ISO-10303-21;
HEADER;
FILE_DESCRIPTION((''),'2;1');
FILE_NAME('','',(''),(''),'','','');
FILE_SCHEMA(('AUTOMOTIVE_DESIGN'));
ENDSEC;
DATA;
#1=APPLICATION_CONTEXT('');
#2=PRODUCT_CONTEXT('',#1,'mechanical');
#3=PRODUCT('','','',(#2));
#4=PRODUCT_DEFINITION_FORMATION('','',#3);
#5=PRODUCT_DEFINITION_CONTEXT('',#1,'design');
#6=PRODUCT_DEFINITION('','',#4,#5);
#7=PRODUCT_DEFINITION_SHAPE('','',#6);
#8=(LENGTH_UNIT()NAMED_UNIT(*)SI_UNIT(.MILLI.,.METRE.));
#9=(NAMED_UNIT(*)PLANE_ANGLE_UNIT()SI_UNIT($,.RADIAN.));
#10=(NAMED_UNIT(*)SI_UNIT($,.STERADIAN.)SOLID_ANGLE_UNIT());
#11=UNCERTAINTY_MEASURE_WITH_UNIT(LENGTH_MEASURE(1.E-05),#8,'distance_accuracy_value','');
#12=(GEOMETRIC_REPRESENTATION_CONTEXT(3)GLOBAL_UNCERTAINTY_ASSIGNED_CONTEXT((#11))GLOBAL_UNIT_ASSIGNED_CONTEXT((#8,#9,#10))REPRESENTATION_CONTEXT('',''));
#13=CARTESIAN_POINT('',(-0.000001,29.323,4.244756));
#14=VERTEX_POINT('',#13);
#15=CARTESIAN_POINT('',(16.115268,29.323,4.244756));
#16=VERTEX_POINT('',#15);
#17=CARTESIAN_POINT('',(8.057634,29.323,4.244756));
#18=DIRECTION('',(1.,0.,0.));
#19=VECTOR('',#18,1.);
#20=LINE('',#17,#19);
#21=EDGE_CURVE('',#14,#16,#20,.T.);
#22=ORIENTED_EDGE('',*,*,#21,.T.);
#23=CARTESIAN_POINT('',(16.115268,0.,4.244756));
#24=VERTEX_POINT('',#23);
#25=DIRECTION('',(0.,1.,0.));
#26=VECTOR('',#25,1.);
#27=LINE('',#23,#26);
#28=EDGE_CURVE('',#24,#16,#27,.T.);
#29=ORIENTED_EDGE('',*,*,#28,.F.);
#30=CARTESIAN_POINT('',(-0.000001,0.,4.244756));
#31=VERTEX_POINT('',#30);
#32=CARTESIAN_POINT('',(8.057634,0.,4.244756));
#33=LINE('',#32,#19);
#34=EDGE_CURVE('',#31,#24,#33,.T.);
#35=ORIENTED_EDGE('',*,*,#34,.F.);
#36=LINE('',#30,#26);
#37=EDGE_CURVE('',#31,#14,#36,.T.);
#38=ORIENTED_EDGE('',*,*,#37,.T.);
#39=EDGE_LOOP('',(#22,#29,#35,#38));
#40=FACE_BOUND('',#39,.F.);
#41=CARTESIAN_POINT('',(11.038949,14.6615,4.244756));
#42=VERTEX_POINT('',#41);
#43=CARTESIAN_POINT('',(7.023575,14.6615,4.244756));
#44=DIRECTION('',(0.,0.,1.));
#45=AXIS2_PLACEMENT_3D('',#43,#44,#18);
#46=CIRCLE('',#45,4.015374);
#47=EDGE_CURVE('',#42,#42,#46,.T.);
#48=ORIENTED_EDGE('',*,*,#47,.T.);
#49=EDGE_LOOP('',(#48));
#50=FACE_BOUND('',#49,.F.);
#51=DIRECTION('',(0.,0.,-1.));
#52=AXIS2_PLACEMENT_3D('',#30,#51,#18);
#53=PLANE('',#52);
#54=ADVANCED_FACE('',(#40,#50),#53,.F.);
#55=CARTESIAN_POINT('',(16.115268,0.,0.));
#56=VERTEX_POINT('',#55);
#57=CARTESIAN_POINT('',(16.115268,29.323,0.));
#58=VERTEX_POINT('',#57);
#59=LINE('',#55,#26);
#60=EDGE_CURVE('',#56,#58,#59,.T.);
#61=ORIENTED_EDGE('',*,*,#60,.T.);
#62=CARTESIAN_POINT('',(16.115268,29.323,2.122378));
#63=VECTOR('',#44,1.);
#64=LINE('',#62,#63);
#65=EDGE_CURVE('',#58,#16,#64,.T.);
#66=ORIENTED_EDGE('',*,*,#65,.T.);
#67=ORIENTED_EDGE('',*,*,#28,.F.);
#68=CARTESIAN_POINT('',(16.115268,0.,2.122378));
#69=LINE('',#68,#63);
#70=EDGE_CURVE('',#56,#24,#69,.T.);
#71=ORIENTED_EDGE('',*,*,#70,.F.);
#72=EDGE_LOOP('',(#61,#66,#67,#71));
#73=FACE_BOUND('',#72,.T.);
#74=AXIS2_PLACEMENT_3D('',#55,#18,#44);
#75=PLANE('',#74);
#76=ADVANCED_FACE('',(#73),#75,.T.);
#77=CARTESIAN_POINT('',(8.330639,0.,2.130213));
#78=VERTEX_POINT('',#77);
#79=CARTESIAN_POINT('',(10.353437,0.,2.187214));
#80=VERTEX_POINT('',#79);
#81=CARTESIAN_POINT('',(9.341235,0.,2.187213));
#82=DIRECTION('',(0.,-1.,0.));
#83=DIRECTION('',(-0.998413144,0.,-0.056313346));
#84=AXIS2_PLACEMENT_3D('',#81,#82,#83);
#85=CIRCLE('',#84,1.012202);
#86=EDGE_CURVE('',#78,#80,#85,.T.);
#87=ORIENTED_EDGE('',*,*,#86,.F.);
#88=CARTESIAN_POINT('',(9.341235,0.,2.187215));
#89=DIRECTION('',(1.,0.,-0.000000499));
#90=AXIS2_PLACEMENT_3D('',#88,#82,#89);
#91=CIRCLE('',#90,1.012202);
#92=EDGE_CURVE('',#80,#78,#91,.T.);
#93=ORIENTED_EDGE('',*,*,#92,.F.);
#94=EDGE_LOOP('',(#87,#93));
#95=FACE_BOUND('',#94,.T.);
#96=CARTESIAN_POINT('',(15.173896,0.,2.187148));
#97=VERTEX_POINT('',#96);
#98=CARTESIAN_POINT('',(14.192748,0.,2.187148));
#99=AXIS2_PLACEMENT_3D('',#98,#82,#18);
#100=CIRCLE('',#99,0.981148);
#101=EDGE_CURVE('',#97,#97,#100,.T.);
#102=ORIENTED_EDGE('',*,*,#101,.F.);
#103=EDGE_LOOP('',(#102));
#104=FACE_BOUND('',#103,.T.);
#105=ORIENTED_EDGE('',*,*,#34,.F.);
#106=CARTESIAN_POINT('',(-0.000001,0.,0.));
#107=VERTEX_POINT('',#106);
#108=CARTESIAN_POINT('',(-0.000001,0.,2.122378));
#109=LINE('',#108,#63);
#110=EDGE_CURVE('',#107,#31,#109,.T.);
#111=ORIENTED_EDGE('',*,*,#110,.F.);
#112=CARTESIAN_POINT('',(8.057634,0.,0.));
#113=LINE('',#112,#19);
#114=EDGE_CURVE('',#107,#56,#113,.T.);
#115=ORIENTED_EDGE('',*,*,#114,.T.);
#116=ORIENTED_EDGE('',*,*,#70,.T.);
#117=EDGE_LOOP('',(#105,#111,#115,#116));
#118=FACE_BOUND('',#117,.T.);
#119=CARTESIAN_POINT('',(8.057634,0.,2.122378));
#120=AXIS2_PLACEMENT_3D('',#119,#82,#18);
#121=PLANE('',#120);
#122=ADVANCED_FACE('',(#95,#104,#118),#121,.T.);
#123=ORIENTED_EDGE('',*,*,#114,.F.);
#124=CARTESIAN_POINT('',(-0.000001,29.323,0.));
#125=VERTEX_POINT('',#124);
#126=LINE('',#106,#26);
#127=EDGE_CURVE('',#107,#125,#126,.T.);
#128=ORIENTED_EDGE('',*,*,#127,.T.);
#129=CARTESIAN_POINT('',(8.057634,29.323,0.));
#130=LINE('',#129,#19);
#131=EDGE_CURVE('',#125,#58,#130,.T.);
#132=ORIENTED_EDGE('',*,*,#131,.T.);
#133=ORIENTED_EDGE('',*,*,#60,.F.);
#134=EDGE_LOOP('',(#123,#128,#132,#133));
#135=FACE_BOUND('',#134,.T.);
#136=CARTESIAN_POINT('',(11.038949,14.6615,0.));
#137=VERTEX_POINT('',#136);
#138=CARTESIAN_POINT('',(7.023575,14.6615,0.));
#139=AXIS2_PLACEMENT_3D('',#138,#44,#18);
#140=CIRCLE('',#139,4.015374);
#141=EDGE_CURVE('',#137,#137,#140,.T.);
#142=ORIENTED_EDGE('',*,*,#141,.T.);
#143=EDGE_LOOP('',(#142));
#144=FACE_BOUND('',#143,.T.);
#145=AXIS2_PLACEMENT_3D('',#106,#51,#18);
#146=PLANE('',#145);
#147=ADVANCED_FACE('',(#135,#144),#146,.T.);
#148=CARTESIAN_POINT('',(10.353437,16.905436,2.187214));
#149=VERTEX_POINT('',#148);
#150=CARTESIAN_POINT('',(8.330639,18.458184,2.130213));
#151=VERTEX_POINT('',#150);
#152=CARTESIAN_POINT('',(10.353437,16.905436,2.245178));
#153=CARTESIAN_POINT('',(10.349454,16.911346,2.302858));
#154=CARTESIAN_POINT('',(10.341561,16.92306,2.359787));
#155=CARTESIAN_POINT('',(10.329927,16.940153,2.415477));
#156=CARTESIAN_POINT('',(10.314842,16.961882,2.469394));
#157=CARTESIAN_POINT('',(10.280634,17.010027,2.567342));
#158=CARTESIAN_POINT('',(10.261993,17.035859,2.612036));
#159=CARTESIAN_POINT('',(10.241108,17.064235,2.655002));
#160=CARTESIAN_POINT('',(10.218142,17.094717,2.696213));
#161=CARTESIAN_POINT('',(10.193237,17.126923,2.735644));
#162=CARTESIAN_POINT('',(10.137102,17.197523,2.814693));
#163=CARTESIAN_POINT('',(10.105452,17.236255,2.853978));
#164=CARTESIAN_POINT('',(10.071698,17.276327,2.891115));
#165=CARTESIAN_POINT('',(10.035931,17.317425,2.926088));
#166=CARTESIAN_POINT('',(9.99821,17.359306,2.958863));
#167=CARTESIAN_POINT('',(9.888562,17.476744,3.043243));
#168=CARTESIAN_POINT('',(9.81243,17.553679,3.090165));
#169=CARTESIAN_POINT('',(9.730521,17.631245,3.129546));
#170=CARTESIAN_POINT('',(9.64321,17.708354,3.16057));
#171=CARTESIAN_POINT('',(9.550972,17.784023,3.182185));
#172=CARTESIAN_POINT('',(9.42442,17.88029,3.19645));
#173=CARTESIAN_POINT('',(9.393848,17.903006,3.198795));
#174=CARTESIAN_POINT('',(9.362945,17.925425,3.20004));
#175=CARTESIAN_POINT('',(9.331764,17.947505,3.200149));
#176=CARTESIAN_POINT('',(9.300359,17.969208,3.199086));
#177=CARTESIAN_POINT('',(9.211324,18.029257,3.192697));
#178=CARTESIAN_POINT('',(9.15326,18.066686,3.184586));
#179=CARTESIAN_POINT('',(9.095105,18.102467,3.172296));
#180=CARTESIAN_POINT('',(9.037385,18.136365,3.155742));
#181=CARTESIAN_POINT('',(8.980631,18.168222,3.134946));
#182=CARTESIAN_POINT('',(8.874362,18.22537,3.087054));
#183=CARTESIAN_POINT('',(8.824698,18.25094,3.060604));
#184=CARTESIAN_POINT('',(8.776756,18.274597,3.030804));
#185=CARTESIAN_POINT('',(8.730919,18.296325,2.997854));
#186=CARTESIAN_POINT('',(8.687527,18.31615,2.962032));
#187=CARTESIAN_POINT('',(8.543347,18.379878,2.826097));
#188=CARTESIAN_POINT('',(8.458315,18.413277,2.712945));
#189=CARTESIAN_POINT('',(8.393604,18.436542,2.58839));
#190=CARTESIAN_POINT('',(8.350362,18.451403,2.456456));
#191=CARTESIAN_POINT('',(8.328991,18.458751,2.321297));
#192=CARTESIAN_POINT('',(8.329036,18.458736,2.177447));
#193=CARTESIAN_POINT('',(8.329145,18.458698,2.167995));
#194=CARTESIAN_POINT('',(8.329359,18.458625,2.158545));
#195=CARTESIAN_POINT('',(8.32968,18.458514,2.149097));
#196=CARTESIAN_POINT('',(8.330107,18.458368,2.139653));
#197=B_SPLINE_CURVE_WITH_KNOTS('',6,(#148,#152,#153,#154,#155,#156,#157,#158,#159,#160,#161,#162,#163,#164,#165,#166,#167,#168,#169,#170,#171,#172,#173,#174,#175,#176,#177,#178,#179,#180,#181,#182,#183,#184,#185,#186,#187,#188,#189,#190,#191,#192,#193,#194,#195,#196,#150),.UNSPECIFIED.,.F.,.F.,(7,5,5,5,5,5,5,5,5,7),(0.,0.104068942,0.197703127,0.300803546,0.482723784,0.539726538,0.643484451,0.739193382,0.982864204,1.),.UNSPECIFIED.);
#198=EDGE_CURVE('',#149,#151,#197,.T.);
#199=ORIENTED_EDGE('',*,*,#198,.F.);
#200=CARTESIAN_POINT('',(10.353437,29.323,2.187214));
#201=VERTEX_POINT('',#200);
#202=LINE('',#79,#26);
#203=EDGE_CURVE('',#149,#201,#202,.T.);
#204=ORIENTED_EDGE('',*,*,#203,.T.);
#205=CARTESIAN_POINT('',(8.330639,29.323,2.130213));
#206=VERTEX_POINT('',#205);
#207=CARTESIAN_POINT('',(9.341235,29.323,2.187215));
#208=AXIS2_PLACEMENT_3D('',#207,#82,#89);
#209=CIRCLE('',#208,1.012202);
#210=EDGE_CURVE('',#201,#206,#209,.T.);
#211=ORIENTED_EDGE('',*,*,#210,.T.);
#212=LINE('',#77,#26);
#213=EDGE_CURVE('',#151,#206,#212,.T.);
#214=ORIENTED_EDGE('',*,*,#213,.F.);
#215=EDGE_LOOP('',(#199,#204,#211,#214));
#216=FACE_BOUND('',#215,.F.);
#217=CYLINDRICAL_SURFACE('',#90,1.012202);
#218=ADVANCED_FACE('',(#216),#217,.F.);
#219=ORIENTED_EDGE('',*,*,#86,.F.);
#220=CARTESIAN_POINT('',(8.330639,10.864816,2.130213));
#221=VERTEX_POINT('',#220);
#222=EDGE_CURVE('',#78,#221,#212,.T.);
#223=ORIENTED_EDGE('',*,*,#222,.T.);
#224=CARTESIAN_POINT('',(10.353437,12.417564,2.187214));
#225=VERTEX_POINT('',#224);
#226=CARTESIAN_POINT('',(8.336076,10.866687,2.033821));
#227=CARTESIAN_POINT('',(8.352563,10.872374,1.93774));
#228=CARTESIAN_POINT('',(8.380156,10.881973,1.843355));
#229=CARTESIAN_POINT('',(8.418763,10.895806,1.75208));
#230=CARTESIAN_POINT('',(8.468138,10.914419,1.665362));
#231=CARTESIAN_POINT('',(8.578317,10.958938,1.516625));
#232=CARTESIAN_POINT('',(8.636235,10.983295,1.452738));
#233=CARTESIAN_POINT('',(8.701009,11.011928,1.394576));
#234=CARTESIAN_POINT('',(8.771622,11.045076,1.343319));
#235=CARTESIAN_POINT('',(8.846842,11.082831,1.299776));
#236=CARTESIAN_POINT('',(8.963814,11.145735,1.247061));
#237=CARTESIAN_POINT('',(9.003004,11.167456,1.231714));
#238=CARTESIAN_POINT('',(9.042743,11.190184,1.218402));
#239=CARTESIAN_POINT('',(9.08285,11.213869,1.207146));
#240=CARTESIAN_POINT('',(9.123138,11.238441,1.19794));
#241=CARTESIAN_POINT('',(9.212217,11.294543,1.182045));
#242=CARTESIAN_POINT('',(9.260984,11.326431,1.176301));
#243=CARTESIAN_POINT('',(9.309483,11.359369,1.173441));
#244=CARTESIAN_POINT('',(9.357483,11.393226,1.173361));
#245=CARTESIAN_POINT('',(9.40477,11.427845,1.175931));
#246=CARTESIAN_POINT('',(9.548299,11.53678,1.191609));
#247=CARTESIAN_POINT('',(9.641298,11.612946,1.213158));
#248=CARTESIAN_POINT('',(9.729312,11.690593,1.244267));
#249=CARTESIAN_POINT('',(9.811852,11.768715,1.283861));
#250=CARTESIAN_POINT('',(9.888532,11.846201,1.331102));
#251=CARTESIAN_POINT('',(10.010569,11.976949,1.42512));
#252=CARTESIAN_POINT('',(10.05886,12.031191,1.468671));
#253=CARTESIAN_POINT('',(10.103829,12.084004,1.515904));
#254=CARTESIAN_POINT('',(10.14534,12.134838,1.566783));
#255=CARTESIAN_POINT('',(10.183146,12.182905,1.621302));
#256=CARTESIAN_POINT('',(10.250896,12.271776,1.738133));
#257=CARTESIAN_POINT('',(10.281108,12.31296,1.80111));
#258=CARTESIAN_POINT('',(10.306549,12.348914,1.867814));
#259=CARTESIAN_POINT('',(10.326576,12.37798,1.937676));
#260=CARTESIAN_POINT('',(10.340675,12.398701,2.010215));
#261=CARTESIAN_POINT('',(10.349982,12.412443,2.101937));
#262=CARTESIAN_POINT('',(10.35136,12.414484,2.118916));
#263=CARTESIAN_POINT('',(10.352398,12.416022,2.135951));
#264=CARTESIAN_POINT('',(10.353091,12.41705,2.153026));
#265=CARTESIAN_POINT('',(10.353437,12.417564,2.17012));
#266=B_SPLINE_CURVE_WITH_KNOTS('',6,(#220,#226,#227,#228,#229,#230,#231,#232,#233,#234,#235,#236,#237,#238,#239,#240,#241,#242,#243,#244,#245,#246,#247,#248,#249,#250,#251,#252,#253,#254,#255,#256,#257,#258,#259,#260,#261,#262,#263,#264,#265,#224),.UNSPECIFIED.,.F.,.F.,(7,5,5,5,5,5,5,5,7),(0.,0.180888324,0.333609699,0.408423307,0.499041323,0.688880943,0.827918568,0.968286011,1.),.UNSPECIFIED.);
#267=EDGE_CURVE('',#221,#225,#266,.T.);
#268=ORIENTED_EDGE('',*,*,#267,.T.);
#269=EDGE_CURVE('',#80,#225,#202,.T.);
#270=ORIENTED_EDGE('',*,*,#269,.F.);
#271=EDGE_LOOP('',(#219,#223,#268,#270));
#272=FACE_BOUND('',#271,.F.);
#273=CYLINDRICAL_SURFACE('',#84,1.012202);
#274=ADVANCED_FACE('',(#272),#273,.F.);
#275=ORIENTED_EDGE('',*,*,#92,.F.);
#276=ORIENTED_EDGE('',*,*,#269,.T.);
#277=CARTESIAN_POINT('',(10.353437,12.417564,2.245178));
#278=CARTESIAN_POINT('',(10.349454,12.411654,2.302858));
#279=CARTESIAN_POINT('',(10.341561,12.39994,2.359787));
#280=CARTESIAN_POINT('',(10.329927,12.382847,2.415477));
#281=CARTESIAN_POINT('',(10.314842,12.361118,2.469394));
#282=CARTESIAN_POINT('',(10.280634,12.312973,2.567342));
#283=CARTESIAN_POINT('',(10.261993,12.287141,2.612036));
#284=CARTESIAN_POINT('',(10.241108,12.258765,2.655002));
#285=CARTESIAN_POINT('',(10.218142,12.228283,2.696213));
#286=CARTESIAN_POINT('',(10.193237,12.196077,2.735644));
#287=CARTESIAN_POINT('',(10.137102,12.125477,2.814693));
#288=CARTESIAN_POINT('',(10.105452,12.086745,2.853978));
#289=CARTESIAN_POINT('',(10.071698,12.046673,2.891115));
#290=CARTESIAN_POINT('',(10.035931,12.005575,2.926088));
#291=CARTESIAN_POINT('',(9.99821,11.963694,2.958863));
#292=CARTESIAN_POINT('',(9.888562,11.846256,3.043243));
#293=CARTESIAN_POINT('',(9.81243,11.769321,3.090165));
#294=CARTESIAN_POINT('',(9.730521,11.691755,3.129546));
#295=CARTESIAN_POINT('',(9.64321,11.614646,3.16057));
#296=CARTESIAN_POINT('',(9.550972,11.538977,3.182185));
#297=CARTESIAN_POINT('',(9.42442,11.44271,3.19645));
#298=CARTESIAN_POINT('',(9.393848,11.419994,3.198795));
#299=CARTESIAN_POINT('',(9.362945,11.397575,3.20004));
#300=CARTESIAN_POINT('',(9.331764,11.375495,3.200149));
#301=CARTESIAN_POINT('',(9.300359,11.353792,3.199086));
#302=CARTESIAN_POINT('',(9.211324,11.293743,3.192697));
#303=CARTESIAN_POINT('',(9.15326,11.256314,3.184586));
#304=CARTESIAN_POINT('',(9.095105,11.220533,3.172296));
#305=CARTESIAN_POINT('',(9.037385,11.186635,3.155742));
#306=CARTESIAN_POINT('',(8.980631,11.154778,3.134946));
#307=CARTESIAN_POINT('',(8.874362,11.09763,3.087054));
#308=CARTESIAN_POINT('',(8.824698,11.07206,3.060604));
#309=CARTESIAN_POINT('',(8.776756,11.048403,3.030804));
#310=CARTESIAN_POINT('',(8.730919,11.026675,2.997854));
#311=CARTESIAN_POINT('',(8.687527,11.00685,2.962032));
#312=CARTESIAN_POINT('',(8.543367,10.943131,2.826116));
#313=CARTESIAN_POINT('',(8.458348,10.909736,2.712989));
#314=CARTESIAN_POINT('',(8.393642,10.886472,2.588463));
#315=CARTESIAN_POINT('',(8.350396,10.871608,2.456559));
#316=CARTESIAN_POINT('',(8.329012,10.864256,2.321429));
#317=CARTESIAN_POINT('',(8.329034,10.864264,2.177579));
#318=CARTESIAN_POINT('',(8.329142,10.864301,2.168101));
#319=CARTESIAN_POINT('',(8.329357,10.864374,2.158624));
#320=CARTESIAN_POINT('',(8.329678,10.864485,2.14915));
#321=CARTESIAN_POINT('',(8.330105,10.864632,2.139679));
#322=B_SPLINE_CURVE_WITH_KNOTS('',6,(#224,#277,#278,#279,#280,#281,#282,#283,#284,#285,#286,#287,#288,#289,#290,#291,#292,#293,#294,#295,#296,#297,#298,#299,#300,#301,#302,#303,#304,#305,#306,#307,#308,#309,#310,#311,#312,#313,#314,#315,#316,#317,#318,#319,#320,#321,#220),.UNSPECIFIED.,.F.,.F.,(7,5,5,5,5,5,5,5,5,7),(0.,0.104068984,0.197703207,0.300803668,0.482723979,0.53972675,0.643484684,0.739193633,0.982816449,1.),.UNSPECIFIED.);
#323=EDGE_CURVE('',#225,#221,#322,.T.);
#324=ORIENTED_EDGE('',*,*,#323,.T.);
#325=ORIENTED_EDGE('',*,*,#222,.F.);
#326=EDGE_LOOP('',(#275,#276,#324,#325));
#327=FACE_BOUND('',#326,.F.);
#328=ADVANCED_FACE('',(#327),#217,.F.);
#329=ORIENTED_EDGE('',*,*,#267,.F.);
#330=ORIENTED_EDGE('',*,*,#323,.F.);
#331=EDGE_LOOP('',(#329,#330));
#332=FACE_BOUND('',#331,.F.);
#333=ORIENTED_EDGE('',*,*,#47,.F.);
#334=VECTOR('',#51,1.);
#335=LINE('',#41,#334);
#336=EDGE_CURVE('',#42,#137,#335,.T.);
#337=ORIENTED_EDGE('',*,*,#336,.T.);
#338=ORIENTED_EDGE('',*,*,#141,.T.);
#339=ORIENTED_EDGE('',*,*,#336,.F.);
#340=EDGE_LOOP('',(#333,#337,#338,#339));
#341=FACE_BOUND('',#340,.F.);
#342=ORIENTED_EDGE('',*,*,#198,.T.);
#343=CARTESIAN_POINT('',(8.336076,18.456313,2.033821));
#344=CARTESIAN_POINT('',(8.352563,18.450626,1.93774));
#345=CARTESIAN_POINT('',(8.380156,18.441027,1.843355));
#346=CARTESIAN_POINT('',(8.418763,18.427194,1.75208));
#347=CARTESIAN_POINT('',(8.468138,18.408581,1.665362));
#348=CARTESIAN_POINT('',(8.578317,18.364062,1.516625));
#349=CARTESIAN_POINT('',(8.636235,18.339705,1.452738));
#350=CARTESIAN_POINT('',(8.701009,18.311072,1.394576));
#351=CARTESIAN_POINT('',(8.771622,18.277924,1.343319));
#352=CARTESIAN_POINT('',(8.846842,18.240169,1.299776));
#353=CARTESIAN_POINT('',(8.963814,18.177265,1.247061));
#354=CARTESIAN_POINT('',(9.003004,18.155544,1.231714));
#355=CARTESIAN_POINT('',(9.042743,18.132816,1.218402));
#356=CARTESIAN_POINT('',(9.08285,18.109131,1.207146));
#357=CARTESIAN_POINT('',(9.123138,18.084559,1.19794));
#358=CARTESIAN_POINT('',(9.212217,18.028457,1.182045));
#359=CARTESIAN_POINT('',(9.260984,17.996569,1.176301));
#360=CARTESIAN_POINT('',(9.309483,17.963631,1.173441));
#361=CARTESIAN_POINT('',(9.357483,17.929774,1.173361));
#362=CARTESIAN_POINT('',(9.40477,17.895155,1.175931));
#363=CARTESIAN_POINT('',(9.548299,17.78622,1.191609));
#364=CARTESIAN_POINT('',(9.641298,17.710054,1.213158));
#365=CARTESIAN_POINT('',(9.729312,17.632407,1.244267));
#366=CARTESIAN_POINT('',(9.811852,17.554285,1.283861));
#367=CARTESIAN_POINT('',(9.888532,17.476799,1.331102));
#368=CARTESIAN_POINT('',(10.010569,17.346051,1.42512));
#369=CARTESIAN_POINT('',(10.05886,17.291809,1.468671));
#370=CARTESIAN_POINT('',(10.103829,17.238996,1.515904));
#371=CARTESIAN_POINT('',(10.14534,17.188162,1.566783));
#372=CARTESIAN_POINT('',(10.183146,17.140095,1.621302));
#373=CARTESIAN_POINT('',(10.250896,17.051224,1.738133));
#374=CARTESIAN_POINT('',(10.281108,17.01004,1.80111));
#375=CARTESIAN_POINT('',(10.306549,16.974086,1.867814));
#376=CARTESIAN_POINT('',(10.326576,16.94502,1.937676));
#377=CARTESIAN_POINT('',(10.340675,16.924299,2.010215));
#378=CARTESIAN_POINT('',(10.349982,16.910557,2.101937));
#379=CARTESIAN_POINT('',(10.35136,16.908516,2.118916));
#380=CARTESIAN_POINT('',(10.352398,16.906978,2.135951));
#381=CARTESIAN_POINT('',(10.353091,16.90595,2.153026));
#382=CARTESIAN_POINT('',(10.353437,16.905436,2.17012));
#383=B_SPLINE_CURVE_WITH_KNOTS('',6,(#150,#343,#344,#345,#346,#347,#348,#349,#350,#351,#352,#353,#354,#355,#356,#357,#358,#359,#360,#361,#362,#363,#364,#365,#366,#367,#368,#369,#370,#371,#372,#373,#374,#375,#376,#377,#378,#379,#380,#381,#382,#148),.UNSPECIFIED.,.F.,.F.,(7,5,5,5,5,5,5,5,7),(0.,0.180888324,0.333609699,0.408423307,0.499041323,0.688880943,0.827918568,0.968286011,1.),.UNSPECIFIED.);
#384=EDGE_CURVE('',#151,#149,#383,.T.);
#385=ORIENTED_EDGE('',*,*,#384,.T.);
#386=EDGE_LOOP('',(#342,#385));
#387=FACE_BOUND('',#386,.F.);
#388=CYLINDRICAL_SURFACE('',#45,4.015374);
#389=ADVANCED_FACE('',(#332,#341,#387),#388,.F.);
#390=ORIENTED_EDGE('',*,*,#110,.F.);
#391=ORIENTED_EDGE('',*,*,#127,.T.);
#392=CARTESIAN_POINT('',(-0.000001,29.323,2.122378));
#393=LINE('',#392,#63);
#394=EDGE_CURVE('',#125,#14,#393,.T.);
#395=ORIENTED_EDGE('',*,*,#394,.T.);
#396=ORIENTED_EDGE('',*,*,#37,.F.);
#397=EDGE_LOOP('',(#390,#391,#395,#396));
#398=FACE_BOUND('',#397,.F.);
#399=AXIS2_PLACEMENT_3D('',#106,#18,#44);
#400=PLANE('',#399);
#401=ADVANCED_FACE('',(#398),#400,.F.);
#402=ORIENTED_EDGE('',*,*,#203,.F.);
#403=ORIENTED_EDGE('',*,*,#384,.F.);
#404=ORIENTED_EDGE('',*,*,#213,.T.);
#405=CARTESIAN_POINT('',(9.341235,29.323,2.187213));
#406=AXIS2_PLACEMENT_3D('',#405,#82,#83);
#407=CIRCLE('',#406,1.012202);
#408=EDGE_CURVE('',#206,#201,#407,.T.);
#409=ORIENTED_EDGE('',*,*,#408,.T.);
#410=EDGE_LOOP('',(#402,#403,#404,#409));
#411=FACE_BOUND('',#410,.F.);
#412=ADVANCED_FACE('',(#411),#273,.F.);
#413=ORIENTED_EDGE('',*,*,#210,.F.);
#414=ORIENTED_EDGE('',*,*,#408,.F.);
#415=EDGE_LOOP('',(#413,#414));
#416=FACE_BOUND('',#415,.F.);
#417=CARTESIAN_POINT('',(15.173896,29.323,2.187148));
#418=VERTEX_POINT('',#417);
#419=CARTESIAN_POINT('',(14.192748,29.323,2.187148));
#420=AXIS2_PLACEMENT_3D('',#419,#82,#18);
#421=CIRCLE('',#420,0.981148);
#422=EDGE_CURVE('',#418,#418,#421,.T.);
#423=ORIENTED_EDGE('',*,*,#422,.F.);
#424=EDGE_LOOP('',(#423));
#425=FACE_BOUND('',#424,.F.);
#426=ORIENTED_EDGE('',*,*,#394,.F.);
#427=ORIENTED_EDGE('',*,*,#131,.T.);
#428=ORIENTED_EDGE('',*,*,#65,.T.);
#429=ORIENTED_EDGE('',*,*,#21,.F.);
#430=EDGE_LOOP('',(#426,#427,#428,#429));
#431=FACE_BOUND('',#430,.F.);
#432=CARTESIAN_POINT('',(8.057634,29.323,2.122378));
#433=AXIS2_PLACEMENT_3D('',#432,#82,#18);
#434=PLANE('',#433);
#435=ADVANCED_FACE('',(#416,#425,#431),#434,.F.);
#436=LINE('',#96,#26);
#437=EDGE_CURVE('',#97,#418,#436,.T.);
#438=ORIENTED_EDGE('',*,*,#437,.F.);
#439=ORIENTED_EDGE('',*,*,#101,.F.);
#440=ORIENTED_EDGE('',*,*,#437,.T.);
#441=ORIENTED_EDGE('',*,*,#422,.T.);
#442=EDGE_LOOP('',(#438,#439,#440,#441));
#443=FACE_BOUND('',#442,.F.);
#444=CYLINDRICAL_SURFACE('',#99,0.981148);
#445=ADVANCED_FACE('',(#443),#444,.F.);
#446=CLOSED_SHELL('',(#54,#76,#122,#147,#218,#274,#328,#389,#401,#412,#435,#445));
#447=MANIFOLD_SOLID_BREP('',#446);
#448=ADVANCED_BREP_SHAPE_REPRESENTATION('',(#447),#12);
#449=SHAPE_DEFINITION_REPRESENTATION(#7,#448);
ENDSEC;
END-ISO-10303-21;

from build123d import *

# Parameters (mm, degrees)
F0_W     = 16.115269
F0_H     = 4.244756
F2_DEPTH = 29.323
F1_R     = 0.981148
F3_DEPTH = 42.4
F4_R     = 4.015374
F5_DEPTH = 25


with BuildPart() as f2:
    # F0 (on Front) → F2 (new body)
    with BuildSketch(Plane.XZ):
        with Locations((8.057634, 2.122378)):
            Rectangle(F0_W, F0_H)
    extrude(amount=-F2_DEPTH)

    # F1 (on face) → F3 (cut)
    with BuildSketch(Plane.XZ):
        with Locations((14.192748, 2.187148)):
            Circle(F1_R)
        with BuildLine():
            ThreePointArc((8.330639, 2.130213), (9.369746, 1.175413), (10.353437, 2.187214))
            ThreePointArc((10.353437, 2.187214), (9.312723, 3.199015), (8.330639, 2.130213))
        make_face()
    extrude(amount=-F3_DEPTH, mode=Mode.SUBTRACT)

    # F4 (on face) → F5 (cut)
    with BuildSketch(Plane.XY.offset(4.244756)):
        with Locations((7.023575, 14.6615)):
            Circle(F4_R)
    extrude(amount=-F5_DEPTH, mode=Mode.SUBTRACT)


solid = f2.part
